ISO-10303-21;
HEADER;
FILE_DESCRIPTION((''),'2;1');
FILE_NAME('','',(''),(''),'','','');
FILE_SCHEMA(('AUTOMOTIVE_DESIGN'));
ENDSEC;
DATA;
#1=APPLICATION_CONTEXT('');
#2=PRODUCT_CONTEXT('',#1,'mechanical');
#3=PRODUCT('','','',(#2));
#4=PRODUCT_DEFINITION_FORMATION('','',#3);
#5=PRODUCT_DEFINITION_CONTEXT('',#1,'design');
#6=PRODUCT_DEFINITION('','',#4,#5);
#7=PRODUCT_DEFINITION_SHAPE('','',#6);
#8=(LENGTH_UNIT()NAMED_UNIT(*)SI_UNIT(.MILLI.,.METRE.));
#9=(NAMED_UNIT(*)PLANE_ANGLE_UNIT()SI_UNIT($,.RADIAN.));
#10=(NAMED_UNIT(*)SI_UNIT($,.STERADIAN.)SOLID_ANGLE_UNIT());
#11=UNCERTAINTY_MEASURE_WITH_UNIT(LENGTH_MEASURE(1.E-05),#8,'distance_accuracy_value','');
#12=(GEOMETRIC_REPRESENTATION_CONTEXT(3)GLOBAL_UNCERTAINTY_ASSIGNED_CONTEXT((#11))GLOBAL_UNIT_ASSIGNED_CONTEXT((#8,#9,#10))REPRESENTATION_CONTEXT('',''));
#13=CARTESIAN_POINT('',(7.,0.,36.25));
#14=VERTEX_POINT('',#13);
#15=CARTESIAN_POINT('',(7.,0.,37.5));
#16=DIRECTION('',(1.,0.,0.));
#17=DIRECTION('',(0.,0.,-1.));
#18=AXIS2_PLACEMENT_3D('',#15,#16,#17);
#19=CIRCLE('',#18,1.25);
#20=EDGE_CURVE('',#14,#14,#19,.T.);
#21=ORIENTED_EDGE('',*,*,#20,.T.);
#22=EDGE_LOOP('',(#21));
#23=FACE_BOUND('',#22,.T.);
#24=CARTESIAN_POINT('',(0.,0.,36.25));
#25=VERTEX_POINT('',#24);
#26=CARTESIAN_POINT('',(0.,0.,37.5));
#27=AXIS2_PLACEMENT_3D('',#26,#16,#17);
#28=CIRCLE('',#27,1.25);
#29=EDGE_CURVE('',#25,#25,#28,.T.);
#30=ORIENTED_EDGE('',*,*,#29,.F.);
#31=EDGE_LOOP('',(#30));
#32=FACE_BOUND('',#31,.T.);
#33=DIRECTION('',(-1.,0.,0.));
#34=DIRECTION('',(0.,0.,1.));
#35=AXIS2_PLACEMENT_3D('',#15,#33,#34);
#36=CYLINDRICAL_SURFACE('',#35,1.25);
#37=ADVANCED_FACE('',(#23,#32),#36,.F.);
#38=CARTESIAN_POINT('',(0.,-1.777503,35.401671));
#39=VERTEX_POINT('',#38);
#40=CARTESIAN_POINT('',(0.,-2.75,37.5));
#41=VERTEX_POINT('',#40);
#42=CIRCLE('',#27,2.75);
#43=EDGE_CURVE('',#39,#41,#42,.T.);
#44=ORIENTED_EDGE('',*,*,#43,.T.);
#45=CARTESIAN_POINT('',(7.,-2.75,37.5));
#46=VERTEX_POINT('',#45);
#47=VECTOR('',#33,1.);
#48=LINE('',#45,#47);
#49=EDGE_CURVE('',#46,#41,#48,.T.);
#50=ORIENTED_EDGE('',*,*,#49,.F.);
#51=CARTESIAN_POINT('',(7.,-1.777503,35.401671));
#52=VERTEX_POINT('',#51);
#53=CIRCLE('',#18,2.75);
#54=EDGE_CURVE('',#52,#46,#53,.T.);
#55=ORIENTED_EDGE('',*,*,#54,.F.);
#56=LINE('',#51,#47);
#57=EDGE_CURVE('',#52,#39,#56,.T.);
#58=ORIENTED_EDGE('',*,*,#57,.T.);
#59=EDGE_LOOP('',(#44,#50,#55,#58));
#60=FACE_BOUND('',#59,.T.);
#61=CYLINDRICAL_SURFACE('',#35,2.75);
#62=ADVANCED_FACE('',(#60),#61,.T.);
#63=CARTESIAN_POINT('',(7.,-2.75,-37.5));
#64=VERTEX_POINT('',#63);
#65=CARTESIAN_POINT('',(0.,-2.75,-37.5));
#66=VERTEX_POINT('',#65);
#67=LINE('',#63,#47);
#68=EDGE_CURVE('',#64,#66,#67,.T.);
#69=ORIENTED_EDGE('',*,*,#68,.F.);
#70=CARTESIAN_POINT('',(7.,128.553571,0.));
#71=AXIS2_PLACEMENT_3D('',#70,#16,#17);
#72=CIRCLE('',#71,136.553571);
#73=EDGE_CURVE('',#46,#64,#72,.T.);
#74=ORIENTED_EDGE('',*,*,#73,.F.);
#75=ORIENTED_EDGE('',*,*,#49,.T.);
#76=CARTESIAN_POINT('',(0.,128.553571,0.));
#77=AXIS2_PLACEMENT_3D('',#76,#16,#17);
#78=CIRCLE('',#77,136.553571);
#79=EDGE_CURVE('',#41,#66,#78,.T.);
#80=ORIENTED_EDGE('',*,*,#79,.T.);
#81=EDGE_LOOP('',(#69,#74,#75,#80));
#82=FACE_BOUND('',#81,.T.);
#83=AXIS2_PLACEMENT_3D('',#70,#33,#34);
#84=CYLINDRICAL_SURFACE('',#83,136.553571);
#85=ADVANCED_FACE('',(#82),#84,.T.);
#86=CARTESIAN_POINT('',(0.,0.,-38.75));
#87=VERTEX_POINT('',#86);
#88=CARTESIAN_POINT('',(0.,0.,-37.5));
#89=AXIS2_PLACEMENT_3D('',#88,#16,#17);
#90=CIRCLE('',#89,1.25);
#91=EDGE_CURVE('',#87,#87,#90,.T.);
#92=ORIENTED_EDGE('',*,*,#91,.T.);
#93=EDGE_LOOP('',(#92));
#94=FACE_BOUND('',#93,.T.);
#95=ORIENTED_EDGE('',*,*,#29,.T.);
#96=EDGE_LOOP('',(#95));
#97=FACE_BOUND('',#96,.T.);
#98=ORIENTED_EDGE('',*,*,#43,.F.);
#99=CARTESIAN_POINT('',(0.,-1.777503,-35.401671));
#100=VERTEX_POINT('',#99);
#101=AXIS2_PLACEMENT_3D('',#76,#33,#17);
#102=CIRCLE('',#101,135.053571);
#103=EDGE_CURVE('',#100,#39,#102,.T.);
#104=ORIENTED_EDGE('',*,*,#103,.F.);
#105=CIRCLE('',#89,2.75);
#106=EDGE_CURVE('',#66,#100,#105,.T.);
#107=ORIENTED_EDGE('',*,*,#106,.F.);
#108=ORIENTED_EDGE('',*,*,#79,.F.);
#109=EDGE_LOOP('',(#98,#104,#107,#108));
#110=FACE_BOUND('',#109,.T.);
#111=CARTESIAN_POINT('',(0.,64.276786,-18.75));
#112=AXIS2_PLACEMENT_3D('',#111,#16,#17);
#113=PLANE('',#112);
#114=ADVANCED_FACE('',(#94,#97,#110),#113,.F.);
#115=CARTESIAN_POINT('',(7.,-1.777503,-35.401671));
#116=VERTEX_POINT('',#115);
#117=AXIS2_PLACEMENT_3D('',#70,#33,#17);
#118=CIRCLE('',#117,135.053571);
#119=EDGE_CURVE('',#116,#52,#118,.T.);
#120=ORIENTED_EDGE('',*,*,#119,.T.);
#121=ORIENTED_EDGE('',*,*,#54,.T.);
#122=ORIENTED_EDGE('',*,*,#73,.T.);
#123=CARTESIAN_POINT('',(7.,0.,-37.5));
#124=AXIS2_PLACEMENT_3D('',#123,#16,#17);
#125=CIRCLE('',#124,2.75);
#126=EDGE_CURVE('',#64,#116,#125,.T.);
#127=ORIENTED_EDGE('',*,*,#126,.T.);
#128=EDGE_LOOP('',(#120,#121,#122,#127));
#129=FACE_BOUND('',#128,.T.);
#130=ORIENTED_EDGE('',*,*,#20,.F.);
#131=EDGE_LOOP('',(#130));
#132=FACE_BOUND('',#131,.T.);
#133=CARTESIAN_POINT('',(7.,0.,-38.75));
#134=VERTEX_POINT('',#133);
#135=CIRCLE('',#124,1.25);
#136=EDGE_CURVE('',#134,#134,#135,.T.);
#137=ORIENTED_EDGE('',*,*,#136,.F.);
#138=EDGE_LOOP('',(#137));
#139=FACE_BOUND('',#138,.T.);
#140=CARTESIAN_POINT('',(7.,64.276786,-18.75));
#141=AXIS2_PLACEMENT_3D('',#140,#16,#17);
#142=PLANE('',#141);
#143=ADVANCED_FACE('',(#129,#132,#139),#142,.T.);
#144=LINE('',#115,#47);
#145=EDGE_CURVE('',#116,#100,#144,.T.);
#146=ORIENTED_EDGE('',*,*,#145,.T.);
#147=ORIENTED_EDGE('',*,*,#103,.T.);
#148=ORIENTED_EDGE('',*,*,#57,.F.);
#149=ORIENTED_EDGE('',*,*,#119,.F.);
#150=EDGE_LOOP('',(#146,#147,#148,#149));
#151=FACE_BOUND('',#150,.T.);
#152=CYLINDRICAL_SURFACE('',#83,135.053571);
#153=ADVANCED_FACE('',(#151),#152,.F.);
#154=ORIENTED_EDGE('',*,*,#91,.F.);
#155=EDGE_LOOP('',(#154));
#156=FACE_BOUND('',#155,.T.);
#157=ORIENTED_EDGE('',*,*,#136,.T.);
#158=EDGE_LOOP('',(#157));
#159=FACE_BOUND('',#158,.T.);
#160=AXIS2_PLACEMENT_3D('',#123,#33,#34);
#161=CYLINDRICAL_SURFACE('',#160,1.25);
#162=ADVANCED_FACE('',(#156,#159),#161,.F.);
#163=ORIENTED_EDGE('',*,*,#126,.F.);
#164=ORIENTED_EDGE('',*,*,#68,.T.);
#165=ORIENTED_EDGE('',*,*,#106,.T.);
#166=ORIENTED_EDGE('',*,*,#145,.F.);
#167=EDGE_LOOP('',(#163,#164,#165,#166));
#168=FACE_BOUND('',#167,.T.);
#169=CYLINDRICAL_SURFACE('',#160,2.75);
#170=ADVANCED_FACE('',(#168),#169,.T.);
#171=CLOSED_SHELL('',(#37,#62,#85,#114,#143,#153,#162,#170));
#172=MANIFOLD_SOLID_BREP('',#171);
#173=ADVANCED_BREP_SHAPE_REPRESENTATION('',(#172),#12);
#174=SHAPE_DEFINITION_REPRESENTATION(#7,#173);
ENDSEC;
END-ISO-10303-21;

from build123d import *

# Parameters (mm, degrees)
SKETCH1_R           = 1.25
BOSS_EXTRUDE1_DEPTH = 7


with BuildPart() as part:
    # Sketch1 → Boss-Extrude1 (new body)
    with BuildSketch(Plane(origin=(0, 0, 0), x_dir=(0, 0, -1), z_dir=(1, 0, 0))):
        with BuildLine():
            ThreePointArc((-35.401670986, -1.77750256), (-38.656366715, 2.49505832), (-37.5, -2.75))
            ThreePointArc((-37.5, -2.75), (0, -8), (37.5, -2.75))
            ThreePointArc((37.5, -2.75), (38.656366715, 2.49505832), (35.401670986, -1.77750256))
            ThreePointArc((35.401670986, -1.77750256), (0, -6.5), (-35.401670986, -1.77750256))
        make_face()
        with Locations((-37.5, 0)):
            Circle(SKETCH1_R, mode=Mode.SUBTRACT)
        with Locations((37.5, 0)):
            Circle(SKETCH1_R, mode=Mode.SUBTRACT)
    extrude(amount=BOSS_EXTRUDE1_DEPTH)


solid = part.part
